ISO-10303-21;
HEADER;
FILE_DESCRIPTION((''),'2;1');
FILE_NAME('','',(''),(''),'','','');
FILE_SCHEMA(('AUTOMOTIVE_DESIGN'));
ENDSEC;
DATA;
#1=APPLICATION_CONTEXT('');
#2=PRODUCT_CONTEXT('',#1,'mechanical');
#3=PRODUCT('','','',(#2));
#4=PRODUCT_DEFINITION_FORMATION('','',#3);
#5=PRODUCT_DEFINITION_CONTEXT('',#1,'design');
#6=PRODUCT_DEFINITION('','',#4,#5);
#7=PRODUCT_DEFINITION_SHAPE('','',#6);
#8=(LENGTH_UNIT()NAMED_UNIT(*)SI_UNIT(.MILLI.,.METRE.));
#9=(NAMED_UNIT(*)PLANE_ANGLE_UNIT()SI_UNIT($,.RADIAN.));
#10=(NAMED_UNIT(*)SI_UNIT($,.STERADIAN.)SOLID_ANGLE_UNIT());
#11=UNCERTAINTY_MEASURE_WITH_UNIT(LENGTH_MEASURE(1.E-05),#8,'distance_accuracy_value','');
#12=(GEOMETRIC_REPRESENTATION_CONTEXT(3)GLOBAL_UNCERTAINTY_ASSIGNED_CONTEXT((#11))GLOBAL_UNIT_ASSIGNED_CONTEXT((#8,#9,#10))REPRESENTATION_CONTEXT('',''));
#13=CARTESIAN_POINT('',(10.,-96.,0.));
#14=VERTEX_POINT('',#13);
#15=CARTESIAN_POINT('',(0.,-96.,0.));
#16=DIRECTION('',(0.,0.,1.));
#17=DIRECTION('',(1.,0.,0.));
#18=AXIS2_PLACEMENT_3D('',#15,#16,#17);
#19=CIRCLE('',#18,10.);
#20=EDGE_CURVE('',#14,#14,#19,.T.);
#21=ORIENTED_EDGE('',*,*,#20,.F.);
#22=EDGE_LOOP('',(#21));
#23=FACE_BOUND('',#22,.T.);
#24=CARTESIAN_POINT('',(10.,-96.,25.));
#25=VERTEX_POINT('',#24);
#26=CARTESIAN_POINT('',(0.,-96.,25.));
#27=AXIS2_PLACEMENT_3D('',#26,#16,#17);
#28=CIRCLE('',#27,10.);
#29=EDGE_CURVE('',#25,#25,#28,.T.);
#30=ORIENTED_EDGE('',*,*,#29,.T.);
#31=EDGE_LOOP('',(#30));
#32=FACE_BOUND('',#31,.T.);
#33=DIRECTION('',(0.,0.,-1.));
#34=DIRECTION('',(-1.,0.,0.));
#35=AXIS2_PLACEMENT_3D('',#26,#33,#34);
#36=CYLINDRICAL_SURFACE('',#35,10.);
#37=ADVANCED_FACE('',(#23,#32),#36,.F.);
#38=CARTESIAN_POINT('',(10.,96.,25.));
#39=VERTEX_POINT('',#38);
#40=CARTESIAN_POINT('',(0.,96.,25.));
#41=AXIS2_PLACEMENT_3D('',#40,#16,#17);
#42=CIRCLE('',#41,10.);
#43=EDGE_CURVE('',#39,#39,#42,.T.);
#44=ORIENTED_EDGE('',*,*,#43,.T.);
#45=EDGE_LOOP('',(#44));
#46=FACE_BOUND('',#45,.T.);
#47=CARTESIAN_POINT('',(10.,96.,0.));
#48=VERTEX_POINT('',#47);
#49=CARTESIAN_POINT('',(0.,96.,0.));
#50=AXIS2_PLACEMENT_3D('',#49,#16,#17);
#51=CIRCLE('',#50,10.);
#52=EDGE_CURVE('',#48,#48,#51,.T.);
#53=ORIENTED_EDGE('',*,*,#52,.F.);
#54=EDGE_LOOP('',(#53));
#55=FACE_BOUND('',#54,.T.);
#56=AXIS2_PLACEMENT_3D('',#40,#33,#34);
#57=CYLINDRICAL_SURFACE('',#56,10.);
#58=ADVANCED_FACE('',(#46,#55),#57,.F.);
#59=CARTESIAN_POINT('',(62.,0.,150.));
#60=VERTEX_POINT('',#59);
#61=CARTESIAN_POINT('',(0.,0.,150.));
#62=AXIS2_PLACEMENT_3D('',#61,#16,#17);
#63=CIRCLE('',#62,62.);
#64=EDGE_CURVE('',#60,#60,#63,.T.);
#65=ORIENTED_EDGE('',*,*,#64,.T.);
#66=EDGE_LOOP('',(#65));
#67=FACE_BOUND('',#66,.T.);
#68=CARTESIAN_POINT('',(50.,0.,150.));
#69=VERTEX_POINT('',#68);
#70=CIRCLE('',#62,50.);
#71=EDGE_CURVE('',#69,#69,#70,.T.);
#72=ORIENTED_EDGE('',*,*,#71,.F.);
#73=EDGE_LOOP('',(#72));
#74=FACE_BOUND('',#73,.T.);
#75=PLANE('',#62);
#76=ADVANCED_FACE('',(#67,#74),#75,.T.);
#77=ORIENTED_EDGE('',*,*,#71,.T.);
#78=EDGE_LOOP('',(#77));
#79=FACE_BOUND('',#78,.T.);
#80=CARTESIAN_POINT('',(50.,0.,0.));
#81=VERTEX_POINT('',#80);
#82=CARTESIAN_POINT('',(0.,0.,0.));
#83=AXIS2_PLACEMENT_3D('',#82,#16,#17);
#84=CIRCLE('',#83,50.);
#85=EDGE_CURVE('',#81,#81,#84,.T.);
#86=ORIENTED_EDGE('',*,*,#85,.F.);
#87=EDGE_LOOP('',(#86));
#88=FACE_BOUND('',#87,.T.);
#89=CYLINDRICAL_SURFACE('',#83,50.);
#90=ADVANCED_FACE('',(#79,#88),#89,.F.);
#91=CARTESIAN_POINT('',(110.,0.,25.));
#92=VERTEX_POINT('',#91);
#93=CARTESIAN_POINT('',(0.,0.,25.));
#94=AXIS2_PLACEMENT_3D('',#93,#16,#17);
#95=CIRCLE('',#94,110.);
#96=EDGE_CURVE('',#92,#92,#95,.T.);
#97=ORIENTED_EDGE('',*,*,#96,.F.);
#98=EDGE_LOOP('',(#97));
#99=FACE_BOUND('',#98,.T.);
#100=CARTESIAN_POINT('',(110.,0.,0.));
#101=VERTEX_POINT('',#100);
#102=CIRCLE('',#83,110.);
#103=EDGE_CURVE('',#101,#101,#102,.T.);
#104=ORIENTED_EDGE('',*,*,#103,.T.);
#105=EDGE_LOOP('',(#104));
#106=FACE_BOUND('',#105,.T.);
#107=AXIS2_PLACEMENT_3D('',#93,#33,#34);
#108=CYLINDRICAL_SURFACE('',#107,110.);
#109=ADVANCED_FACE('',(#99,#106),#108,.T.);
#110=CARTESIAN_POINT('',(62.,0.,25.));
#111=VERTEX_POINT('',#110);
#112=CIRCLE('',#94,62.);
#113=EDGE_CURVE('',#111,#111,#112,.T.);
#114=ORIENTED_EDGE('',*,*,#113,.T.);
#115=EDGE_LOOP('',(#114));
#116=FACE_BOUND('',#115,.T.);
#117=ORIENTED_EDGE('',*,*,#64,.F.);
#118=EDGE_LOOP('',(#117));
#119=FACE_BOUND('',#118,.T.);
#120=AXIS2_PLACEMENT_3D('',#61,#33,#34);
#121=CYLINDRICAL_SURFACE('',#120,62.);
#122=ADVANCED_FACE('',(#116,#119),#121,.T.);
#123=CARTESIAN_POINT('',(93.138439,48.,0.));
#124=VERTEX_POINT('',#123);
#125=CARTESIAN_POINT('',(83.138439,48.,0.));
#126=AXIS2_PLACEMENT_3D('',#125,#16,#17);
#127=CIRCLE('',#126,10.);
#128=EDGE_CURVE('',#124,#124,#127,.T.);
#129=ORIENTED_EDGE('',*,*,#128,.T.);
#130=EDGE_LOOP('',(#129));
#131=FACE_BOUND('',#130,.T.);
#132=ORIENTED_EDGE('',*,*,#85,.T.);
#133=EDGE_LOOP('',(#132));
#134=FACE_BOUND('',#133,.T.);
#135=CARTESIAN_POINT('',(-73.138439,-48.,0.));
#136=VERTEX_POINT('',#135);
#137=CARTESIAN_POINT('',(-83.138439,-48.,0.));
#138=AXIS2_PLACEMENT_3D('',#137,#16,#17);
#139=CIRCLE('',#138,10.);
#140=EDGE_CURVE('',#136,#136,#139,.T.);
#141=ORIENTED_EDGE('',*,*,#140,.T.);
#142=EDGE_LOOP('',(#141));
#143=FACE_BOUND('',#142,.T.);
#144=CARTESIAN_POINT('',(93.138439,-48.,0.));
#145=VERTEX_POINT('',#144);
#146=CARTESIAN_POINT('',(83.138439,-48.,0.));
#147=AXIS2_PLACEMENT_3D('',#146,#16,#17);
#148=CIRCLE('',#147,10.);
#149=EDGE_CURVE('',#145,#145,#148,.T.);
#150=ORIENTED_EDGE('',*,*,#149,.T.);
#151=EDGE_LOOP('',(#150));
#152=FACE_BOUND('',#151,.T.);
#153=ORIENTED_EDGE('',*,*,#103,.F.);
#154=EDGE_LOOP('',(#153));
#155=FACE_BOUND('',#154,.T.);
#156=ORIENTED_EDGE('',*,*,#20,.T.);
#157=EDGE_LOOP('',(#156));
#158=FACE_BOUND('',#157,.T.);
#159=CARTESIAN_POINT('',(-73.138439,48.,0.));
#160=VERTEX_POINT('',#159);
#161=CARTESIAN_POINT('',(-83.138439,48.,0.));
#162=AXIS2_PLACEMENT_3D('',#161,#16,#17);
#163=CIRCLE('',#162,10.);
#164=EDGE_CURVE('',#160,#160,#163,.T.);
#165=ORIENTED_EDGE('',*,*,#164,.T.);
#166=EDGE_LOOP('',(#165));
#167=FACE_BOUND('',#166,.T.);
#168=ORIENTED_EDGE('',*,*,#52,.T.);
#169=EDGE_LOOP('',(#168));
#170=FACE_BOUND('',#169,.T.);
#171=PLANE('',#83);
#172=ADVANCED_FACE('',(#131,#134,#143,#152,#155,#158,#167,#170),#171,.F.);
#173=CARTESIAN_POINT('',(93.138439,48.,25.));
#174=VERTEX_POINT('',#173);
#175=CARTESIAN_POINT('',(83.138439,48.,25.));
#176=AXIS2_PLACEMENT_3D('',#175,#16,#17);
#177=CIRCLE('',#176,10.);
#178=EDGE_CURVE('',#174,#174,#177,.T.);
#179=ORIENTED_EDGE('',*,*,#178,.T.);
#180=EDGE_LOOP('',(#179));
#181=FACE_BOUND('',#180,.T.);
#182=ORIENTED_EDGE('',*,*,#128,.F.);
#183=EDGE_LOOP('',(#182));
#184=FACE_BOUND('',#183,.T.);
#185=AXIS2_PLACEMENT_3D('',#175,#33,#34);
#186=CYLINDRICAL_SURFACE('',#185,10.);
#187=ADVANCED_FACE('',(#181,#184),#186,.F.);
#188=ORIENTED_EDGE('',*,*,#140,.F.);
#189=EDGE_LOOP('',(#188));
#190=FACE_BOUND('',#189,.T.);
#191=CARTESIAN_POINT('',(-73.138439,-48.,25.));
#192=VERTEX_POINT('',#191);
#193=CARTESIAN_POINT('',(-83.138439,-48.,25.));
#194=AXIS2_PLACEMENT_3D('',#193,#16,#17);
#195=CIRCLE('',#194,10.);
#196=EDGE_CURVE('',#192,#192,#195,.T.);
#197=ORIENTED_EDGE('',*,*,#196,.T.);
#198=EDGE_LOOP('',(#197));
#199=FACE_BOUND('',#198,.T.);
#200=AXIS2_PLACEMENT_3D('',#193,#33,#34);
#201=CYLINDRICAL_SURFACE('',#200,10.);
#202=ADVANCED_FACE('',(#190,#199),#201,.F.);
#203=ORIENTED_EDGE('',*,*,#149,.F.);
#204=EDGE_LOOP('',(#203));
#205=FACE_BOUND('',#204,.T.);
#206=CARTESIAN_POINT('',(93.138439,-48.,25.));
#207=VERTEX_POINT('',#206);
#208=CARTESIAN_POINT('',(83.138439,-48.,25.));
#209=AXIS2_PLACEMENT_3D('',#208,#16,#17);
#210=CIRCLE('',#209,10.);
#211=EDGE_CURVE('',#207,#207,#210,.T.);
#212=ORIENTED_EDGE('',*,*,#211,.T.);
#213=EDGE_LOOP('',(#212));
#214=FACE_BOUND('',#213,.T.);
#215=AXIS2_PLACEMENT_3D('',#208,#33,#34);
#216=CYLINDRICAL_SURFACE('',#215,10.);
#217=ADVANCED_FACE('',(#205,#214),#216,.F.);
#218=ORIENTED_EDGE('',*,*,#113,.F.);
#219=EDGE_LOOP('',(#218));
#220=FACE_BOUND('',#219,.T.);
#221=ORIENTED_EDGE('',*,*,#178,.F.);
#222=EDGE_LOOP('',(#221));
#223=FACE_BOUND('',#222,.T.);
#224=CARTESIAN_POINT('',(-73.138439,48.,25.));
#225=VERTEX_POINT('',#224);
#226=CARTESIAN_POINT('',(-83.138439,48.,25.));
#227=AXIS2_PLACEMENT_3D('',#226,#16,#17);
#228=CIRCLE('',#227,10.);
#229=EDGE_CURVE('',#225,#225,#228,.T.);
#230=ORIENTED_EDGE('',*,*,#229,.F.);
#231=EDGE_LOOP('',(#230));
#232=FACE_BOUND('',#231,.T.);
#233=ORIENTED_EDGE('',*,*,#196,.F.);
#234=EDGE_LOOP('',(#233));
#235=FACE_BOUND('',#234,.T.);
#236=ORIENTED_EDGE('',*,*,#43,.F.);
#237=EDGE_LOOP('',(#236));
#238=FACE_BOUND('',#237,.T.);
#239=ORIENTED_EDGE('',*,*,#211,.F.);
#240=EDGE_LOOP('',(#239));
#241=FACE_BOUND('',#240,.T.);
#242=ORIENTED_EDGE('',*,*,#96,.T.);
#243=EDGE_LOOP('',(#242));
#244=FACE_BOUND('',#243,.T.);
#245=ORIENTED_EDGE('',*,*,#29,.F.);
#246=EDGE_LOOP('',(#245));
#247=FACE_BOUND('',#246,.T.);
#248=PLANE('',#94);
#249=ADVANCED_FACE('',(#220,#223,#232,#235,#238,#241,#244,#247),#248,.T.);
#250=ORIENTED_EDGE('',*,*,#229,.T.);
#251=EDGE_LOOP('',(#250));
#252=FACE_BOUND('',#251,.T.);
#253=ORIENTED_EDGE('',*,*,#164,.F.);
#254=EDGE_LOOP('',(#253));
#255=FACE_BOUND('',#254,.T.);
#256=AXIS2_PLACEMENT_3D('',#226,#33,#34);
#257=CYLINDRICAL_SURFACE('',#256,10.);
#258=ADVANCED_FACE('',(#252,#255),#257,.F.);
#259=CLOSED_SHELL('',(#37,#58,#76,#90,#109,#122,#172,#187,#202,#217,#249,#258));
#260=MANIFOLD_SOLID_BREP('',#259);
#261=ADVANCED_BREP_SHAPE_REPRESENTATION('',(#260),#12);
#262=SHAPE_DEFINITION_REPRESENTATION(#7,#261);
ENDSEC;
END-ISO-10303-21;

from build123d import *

# Parameters (mm, degrees)
SKETCH1_R           = 110
SKETCH1_R_2         = 10
BOSS_EXTRUDE1_DEPTH = 25
SKETCH2_R           = 62
BOSS_EXTRUDE2_DEPTH = 125
SKETCH3_R           = 50
CUT_EXTRUDE1_DEPTH  = 151


with BuildPart() as part:
    # Sketch1 → Boss-Extrude1 (new body)
    with BuildSketch(Plane.XY):
        Circle(SKETCH1_R)
        with Locations((0, -96)):
            Circle(SKETCH1_R_2, mode=Mode.SUBTRACT)
        with Locations((-83.138438763, -48)):
            Circle(SKETCH1_R_2, mode=Mode.SUBTRACT)
        with Locations((-83.138438763, 48)):
            Circle(SKETCH1_R_2, mode=Mode.SUBTRACT)
        with Locations((0, 96)):
            Circle(SKETCH1_R_2, mode=Mode.SUBTRACT)
        with Locations((83.138438763, 48)):
            Circle(SKETCH1_R_2, mode=Mode.SUBTRACT)
        with Locations((83.138438763, -48)):
            Circle(SKETCH1_R_2, mode=Mode.SUBTRACT)
    extrude(amount=BOSS_EXTRUDE1_DEPTH)

    # Sketch2 → Boss-Extrude2 (add)
    with BuildSketch(Plane.XY.offset(25)):
        Circle(SKETCH2_R)
    extrude(amount=BOSS_EXTRUDE2_DEPTH)

    # Sketch3 → Cut-Extrude1 (cut, through all)
    with BuildSketch(Plane.XY.offset(150)):
        Circle(SKETCH3_R)
    extrude(amount=-CUT_EXTRUDE1_DEPTH, mode=Mode.SUBTRACT)


solid = part.part
